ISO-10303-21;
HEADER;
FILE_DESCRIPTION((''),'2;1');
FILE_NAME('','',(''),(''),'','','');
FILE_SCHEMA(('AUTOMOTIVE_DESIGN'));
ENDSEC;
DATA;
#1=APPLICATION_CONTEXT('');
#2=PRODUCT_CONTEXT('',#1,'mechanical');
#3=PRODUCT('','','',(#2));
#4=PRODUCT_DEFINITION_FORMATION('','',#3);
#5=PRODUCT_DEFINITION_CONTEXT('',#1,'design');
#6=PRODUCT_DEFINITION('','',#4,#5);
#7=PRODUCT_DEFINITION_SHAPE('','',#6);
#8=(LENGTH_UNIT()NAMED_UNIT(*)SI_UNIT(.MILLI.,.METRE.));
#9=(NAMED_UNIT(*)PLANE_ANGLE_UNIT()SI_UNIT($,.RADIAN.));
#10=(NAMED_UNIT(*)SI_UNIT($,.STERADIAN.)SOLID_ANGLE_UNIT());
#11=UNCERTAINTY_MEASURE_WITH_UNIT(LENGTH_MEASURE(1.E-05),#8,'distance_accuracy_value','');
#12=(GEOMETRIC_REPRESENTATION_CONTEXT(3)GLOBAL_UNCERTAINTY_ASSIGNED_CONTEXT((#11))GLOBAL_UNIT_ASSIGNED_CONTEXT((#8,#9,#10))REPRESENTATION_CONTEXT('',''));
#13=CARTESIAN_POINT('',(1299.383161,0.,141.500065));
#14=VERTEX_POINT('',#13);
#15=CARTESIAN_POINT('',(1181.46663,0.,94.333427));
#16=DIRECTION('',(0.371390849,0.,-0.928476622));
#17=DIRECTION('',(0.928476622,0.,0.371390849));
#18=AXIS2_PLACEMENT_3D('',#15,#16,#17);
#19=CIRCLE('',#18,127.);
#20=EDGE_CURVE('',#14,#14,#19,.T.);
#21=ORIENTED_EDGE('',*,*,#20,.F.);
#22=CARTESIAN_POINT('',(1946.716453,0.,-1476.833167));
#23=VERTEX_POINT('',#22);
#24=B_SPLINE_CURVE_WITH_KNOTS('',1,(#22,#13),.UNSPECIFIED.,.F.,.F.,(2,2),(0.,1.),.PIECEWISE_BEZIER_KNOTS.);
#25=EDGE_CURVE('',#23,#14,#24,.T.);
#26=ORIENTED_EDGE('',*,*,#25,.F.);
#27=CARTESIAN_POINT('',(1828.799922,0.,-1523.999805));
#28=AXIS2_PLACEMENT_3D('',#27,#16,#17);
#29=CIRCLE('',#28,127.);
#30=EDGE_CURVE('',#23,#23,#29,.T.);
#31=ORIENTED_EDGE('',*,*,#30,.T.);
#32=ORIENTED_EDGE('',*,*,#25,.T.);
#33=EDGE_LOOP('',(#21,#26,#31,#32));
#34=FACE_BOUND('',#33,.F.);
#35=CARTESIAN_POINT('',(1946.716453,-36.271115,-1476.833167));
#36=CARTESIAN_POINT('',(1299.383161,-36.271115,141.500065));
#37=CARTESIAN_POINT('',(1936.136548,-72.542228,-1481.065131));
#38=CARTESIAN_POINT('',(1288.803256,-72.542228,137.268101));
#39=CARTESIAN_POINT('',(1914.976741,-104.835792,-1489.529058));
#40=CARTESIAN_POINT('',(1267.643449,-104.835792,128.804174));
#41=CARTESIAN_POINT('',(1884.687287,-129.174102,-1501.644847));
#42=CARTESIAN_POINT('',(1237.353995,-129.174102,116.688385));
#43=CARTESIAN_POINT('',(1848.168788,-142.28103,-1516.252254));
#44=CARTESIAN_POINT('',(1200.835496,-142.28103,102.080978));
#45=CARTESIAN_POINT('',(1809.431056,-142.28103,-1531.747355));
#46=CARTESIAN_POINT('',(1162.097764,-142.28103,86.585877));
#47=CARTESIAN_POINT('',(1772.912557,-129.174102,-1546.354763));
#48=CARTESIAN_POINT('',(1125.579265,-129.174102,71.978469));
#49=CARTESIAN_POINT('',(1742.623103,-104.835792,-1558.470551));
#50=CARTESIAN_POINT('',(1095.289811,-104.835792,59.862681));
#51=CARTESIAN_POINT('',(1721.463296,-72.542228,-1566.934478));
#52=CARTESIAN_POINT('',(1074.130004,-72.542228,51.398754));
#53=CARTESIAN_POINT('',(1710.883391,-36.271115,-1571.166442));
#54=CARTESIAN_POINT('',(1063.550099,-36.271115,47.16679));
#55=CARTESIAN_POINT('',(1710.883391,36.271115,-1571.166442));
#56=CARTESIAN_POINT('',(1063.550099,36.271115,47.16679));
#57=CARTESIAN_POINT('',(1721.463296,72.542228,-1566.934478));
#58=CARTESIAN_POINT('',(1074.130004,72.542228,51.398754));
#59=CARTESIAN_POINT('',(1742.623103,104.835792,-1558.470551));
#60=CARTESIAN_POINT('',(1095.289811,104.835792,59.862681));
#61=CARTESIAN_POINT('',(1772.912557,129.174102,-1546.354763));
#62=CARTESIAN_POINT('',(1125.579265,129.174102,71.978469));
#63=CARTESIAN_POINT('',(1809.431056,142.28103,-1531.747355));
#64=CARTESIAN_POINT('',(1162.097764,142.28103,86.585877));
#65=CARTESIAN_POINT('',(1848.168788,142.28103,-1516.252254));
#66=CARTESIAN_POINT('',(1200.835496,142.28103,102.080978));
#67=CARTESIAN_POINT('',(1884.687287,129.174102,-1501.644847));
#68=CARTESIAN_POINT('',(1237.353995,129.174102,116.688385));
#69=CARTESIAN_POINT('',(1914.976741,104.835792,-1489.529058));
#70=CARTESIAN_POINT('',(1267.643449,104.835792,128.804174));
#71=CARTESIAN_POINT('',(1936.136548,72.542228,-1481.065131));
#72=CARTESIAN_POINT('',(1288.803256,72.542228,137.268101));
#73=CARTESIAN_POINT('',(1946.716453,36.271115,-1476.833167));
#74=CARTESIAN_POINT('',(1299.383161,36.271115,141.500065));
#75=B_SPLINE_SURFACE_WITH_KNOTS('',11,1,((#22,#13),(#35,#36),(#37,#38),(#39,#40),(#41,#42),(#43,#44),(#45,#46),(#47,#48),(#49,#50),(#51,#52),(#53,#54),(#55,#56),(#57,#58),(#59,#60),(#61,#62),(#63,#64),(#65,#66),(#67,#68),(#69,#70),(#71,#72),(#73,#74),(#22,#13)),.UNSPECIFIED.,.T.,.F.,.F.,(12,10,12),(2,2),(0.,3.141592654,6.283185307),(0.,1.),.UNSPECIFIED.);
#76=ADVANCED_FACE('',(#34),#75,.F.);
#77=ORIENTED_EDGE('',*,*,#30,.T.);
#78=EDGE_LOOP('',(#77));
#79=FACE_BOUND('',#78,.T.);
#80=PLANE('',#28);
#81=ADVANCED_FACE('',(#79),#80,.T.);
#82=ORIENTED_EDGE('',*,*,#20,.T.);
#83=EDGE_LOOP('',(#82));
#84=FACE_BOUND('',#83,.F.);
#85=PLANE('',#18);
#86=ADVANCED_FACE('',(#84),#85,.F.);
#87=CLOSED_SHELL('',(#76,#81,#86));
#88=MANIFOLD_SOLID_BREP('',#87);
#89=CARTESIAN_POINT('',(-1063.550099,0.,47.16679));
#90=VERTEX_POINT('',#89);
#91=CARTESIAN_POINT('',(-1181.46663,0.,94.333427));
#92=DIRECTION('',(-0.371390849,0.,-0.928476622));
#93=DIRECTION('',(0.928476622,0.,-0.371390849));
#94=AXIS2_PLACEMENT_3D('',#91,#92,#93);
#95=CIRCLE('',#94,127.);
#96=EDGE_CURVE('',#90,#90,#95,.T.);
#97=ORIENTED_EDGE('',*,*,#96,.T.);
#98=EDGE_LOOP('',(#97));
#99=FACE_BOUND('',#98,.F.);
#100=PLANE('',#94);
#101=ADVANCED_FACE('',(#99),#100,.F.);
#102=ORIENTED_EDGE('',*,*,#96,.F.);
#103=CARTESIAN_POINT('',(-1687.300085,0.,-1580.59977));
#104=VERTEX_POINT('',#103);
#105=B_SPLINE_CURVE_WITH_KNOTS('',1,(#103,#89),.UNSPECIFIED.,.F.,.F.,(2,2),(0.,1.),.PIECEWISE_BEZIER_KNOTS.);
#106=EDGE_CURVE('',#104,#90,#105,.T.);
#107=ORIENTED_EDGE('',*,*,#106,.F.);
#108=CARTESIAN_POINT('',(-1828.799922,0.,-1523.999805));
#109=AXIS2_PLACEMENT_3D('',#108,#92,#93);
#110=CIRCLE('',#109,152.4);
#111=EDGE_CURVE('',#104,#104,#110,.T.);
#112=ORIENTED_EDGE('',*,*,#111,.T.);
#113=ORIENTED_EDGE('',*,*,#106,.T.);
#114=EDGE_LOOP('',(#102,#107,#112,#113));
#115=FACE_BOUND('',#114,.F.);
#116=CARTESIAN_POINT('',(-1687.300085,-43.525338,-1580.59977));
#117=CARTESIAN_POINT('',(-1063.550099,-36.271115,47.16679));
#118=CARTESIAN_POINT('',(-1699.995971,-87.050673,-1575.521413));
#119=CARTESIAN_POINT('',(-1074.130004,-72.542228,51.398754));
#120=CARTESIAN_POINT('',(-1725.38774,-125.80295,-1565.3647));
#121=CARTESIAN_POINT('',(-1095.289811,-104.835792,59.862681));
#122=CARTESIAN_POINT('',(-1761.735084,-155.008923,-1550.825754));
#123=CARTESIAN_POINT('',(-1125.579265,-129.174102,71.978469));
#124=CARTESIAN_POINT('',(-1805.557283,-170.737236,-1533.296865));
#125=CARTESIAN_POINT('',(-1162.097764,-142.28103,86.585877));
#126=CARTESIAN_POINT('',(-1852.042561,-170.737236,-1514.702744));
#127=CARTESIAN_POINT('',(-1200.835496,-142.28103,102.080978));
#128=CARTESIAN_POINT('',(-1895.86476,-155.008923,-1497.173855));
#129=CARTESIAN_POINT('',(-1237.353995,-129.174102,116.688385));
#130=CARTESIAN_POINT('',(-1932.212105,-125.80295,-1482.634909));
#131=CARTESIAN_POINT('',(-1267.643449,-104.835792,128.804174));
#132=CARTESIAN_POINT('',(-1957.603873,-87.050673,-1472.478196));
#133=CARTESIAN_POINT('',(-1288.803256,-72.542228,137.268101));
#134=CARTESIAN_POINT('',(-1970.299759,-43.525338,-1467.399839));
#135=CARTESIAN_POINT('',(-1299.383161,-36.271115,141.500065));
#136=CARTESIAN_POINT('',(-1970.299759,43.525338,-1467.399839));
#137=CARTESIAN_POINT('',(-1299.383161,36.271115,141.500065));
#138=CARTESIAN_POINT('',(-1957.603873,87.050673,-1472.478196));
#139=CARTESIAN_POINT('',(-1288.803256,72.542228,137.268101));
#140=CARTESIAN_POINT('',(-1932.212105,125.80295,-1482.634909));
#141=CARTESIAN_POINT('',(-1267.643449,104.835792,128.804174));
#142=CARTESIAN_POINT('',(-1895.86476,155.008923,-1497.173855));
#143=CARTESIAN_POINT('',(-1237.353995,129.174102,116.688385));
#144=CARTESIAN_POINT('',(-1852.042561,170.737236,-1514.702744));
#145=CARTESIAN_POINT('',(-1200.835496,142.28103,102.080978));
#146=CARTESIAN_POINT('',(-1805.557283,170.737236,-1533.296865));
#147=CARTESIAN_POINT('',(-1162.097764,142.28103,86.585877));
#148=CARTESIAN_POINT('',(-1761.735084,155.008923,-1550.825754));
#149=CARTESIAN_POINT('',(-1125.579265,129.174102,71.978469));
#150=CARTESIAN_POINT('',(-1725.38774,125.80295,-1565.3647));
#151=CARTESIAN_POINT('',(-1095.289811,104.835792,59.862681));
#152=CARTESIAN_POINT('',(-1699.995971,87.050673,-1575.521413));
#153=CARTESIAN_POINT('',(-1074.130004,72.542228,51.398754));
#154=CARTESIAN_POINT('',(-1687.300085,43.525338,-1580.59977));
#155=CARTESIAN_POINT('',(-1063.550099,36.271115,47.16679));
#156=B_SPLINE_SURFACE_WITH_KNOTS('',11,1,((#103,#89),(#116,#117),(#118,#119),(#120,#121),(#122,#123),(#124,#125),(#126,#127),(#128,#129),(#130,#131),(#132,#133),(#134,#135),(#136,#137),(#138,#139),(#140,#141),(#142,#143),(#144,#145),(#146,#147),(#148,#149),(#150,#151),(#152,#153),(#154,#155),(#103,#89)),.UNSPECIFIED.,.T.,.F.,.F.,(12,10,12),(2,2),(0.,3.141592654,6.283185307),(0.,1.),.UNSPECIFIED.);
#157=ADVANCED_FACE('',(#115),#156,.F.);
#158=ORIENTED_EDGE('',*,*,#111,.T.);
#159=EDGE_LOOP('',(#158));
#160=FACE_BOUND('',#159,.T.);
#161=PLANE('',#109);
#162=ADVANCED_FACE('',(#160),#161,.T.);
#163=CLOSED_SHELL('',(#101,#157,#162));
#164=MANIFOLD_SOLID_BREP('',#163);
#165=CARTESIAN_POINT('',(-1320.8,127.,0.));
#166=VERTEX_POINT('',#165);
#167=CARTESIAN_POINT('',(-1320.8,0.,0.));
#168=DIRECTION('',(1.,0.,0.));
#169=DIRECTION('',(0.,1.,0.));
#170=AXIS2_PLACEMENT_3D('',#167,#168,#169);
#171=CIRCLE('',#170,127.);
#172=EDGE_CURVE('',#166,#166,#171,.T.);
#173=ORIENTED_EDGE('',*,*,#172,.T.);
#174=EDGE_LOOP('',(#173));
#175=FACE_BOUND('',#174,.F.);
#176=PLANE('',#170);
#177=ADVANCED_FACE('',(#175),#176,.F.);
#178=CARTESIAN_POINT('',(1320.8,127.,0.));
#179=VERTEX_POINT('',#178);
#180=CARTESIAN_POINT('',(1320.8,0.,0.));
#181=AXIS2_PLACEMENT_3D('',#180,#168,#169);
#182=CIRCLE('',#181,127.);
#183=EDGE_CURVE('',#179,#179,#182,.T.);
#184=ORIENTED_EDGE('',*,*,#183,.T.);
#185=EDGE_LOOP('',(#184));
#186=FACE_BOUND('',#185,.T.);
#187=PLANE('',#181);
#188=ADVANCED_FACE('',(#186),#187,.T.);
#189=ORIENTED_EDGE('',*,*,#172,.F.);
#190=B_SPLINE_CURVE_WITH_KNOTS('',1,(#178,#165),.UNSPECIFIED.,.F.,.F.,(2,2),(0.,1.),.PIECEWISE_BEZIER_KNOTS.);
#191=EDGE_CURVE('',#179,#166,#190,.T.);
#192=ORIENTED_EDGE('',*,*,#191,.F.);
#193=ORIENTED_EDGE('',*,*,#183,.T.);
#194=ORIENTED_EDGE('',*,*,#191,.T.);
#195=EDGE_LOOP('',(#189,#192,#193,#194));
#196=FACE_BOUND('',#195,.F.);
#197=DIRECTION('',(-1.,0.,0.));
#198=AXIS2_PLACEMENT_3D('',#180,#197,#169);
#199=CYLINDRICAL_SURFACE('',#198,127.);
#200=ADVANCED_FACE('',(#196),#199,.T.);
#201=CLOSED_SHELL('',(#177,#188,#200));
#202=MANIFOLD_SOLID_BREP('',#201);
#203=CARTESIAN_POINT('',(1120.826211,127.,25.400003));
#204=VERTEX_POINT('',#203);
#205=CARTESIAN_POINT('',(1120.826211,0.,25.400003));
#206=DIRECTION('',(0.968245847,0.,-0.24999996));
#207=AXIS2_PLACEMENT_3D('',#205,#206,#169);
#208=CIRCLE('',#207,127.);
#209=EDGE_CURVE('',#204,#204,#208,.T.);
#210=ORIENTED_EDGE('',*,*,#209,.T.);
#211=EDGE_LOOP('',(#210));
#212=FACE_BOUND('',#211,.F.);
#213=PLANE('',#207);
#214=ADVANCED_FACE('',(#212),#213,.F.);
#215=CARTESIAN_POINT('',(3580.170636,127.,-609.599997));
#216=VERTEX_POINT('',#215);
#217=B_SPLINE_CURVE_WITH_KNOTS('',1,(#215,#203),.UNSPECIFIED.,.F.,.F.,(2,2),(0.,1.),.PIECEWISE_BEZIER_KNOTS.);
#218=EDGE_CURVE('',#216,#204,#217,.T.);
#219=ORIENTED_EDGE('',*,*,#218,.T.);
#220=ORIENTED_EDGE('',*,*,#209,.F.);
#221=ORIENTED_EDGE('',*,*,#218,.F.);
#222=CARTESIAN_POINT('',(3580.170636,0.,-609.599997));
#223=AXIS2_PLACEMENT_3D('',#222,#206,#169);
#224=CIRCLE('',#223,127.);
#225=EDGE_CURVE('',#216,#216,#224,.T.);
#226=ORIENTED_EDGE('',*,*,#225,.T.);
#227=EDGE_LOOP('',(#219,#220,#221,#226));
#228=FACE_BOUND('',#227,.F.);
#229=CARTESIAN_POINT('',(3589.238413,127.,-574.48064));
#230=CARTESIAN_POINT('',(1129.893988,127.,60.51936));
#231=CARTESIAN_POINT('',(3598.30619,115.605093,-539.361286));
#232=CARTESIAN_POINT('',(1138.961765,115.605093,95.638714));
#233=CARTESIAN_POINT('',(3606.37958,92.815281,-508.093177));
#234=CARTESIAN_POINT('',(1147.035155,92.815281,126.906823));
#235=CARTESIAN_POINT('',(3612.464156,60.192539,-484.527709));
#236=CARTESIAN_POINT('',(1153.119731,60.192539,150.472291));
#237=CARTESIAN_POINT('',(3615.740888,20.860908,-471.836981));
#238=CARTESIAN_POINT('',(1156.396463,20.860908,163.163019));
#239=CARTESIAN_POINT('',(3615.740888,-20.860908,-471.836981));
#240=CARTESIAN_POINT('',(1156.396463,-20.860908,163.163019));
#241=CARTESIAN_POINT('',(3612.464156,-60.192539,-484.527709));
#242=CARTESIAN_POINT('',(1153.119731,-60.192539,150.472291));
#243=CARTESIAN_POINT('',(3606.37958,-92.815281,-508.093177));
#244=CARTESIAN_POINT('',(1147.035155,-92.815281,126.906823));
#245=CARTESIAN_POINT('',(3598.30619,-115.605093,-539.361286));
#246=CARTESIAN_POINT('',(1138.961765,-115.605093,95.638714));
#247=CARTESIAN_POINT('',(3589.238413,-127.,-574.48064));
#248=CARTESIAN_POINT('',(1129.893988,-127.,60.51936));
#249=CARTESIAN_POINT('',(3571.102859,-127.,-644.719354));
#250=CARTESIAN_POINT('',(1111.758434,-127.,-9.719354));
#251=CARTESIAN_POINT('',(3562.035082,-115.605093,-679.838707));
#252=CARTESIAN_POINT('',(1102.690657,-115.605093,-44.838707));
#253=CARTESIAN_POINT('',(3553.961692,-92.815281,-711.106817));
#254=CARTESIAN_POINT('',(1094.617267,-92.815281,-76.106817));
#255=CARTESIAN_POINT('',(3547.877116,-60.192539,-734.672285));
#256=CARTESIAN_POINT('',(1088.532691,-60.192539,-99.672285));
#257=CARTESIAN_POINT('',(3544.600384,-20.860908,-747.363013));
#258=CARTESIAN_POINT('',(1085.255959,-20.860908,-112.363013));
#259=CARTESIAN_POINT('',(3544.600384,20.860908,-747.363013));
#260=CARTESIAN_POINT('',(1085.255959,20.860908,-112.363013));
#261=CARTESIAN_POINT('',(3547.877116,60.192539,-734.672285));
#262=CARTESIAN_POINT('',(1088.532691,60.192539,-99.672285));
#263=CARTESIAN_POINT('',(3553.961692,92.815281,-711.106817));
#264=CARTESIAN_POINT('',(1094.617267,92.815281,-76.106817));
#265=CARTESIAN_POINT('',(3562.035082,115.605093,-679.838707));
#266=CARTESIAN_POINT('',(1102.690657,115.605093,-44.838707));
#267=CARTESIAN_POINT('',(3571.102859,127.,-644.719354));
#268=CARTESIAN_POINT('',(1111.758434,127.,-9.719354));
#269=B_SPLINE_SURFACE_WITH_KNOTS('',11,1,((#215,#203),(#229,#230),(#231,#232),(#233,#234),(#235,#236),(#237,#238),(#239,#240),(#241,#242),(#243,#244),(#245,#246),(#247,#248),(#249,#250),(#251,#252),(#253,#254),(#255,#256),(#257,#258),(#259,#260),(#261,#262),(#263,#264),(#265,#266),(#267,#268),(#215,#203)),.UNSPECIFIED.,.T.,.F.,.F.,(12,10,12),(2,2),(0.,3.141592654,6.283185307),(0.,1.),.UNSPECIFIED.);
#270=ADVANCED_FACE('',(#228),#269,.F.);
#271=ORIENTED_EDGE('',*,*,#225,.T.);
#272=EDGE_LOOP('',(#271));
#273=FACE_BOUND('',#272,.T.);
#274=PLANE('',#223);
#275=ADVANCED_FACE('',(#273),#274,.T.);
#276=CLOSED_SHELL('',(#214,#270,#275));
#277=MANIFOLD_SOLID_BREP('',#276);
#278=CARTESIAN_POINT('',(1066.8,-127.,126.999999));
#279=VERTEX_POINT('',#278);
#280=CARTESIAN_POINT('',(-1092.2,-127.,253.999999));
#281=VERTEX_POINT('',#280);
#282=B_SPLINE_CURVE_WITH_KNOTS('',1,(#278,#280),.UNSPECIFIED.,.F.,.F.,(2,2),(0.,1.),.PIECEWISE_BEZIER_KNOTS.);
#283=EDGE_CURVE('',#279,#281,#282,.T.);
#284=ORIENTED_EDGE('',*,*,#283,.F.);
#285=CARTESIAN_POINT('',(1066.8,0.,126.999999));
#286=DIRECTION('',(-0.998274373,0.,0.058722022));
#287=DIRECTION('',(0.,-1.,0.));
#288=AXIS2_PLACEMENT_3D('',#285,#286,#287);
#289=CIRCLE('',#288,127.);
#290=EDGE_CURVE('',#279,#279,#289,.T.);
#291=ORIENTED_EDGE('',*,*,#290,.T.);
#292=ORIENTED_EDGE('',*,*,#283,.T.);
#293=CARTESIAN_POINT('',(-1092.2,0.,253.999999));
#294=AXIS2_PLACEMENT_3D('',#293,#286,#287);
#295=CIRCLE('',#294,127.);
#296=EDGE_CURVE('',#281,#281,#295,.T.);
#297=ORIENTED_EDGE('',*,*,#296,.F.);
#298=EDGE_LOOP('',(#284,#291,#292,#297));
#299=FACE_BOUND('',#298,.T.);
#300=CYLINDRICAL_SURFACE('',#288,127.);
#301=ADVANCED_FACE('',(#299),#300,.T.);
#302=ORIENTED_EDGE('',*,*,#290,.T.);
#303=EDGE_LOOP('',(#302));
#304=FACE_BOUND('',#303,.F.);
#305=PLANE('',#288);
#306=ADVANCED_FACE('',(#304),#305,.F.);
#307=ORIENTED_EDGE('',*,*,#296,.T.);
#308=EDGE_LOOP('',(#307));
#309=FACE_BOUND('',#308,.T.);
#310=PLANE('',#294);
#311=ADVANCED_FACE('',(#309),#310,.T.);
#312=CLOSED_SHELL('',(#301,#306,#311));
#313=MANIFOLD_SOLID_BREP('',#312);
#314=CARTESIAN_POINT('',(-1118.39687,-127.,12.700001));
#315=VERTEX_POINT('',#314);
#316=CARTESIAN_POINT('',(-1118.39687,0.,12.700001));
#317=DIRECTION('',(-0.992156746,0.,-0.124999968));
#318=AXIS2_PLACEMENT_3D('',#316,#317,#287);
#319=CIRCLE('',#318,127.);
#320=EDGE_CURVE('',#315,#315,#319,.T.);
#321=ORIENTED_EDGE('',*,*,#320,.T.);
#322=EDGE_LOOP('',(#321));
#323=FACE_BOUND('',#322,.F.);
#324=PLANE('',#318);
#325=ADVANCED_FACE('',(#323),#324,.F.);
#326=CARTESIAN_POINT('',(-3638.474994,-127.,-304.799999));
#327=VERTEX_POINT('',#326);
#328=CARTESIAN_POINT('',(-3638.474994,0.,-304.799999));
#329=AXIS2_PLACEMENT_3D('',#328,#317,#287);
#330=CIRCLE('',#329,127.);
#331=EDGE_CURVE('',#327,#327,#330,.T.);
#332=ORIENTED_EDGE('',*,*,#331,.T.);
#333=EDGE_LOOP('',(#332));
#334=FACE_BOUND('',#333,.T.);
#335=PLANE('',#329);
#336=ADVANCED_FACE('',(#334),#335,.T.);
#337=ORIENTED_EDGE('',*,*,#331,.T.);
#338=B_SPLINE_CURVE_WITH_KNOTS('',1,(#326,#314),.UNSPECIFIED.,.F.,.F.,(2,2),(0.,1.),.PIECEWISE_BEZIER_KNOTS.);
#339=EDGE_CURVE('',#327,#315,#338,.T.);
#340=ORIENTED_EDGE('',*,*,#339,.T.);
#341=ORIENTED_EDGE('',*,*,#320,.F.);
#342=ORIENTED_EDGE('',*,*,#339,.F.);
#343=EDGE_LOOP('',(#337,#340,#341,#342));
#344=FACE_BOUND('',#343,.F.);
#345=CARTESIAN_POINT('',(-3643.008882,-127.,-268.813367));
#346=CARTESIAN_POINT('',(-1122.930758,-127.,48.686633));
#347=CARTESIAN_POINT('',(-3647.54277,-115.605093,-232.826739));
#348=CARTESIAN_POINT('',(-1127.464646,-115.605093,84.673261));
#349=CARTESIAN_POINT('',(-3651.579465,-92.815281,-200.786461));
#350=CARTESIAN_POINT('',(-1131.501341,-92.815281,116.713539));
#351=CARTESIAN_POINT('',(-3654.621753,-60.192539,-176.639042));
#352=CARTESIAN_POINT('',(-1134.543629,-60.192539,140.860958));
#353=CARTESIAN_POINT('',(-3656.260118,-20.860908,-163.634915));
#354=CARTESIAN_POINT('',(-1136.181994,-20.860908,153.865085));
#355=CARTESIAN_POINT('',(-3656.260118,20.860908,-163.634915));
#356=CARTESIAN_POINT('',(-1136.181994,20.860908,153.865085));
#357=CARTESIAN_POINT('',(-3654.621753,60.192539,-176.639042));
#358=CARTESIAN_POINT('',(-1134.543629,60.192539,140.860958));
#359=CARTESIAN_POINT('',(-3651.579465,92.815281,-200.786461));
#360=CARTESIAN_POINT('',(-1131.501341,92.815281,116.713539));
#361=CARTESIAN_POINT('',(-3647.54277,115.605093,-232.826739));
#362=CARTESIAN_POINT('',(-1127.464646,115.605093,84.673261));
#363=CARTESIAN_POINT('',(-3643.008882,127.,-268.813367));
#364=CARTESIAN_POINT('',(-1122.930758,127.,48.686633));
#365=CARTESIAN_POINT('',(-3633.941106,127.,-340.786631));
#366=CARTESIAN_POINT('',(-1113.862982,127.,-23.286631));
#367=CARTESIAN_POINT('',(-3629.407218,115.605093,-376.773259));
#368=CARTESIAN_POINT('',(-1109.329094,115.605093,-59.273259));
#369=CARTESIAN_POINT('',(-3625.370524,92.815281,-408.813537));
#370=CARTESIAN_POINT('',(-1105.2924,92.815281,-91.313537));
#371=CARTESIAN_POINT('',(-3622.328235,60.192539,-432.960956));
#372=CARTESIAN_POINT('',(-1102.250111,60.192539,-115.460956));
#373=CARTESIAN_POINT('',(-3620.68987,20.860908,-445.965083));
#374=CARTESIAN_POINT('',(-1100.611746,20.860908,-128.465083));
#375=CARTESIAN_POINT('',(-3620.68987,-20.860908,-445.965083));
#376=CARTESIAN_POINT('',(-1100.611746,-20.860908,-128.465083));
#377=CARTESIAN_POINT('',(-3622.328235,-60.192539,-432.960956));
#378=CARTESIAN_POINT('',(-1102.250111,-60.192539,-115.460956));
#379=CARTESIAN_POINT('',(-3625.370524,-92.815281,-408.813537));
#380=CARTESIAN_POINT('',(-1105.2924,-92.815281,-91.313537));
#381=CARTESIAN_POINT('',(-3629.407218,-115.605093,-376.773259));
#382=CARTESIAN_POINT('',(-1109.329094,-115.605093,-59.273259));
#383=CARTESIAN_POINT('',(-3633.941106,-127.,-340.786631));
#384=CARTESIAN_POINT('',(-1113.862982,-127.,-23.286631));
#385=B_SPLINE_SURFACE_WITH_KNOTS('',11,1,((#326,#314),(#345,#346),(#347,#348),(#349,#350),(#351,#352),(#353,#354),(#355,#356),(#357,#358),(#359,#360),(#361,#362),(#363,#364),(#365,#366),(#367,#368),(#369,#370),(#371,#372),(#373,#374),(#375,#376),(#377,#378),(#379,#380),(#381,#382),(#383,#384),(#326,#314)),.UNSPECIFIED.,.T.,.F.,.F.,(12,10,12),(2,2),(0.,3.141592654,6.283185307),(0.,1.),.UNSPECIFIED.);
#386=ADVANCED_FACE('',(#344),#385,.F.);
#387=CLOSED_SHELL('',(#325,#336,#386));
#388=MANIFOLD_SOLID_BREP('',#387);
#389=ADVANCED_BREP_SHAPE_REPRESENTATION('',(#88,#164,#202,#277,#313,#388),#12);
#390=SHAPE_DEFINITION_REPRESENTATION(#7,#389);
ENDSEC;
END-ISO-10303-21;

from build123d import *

# Parameters (mm, degrees)
F3_R  = 127
F4_R  = 127
F8_R  = 152.4
F9_R  = 127
F14_R = 127
F13_R = 127
F18_R = 127
F19_R = 127
F24_R = 127
F23_R = 127
F28_R = 127
F29_R = 127


with BuildPart() as f5:
    # F3 (on face) → F5 section 0
    with BuildSketch(Plane(origin=(-3619.424999, 0, -456.004687), x_dir=(0, -1, 0), z_dir=(-0.992157, 0, -0.125))):
        with Locations((0, 152.4)):
            Circle(F3_R)
    # F4 (on face) → F5 section 1
    with BuildSketch(Plane(origin=(-1099.346875, 0, -138.504687), x_dir=(0, -1, 0), z_dir=(-0.992157, 0, -0.125))):
        with Locations((0, 152.4)):
            Circle(F4_R)
    loft()


with BuildPart() as f10:
    # F8 (on face) → F10 section 0
    with BuildSketch(Plane(origin=(-777.765517, 0, -1944.413793), x_dir=(0.928477, 0, -0.371391), z_dir=(-0.371391, 0, -0.928477))):
        with Locations((-1131.998782, 0)):
            Circle(F8_R)
    # F9 (on face) → F10 section 1
    with BuildSketch(Plane(origin=(-130.432225, 0, -326.080561), x_dir=(0.928477, 0, -0.371391), z_dir=(-0.371391, 0, -0.928477))):
        with Locations((-1131.998782, 0)):
            Circle(F9_R)
    loft()


with BuildPart() as f15:
    # F14 (on face) → F15 section 0
    with BuildSketch(Plane.YZ.offset(1320.8)):
        Circle(F14_R)
    # F13 (on face) → F15 section 1
    with BuildSketch(Plane.YZ.offset(-1320.8)):
        Circle(F13_R)
    loft()


with BuildPart() as f20:
    # F18 (on face) → F20 section 0
    with BuildSketch(Plane(origin=(3503.970648, 0, -904.721331), x_dir=(0, 1, 0), z_dir=(0.968246, 0, -0.25))):
        with Locations((0, 304.8)):
            Circle(F18_R)
    # F19 (on face) → F20 section 1
    with BuildSketch(Plane(origin=(1044.626223, 0, -269.721331), x_dir=(0, 1, 0), z_dir=(0.968246, 0, -0.25))):
        with Locations((0, 304.8)):
            Circle(F19_R)
    loft()


with BuildPart() as f25:
    # F24 (on face) → F25 section 0
    with BuildSketch(Plane(origin=(777.765517, 0, -1944.413793), x_dir=(0.928477, 0, 0.371391), z_dir=(0.371391, 0, -0.928477))):
        with Locations((1131.998782, 0)):
            Circle(F24_R)
    # F23 (on face) → F25 section 1
    with BuildSketch(Plane(origin=(130.432225, 0, -326.080561), x_dir=(0.928477, 0, 0.371391), z_dir=(0.371391, 0, -0.928477))):
        with Locations((1131.998782, 0)):
            Circle(F23_R)
    loft()


with BuildPart() as f30:
    # F28 (on face) → F30 section 0
    with BuildSketch(Plane(origin=(1055.676552, 0, -62.098621), x_dir=(0, -1, 0), z_dir=(-0.998274, 0, 0.058722))):
        with Locations((0, 189.425498)):
            Circle(F28_R)
    # F29 (on face) → F30 section 1
    with BuildSketch(Plane(origin=(-1103.323448, 0, 64.901379), x_dir=(0, -1, 0), z_dir=(-0.998274, 0, 0.058722))):
        with Locations((0, 189.425498)):
            Circle(F29_R)
    loft()


solid = Compound([f5.part, f10.part, f15.part, f20.part, f25.part, f30.part])
